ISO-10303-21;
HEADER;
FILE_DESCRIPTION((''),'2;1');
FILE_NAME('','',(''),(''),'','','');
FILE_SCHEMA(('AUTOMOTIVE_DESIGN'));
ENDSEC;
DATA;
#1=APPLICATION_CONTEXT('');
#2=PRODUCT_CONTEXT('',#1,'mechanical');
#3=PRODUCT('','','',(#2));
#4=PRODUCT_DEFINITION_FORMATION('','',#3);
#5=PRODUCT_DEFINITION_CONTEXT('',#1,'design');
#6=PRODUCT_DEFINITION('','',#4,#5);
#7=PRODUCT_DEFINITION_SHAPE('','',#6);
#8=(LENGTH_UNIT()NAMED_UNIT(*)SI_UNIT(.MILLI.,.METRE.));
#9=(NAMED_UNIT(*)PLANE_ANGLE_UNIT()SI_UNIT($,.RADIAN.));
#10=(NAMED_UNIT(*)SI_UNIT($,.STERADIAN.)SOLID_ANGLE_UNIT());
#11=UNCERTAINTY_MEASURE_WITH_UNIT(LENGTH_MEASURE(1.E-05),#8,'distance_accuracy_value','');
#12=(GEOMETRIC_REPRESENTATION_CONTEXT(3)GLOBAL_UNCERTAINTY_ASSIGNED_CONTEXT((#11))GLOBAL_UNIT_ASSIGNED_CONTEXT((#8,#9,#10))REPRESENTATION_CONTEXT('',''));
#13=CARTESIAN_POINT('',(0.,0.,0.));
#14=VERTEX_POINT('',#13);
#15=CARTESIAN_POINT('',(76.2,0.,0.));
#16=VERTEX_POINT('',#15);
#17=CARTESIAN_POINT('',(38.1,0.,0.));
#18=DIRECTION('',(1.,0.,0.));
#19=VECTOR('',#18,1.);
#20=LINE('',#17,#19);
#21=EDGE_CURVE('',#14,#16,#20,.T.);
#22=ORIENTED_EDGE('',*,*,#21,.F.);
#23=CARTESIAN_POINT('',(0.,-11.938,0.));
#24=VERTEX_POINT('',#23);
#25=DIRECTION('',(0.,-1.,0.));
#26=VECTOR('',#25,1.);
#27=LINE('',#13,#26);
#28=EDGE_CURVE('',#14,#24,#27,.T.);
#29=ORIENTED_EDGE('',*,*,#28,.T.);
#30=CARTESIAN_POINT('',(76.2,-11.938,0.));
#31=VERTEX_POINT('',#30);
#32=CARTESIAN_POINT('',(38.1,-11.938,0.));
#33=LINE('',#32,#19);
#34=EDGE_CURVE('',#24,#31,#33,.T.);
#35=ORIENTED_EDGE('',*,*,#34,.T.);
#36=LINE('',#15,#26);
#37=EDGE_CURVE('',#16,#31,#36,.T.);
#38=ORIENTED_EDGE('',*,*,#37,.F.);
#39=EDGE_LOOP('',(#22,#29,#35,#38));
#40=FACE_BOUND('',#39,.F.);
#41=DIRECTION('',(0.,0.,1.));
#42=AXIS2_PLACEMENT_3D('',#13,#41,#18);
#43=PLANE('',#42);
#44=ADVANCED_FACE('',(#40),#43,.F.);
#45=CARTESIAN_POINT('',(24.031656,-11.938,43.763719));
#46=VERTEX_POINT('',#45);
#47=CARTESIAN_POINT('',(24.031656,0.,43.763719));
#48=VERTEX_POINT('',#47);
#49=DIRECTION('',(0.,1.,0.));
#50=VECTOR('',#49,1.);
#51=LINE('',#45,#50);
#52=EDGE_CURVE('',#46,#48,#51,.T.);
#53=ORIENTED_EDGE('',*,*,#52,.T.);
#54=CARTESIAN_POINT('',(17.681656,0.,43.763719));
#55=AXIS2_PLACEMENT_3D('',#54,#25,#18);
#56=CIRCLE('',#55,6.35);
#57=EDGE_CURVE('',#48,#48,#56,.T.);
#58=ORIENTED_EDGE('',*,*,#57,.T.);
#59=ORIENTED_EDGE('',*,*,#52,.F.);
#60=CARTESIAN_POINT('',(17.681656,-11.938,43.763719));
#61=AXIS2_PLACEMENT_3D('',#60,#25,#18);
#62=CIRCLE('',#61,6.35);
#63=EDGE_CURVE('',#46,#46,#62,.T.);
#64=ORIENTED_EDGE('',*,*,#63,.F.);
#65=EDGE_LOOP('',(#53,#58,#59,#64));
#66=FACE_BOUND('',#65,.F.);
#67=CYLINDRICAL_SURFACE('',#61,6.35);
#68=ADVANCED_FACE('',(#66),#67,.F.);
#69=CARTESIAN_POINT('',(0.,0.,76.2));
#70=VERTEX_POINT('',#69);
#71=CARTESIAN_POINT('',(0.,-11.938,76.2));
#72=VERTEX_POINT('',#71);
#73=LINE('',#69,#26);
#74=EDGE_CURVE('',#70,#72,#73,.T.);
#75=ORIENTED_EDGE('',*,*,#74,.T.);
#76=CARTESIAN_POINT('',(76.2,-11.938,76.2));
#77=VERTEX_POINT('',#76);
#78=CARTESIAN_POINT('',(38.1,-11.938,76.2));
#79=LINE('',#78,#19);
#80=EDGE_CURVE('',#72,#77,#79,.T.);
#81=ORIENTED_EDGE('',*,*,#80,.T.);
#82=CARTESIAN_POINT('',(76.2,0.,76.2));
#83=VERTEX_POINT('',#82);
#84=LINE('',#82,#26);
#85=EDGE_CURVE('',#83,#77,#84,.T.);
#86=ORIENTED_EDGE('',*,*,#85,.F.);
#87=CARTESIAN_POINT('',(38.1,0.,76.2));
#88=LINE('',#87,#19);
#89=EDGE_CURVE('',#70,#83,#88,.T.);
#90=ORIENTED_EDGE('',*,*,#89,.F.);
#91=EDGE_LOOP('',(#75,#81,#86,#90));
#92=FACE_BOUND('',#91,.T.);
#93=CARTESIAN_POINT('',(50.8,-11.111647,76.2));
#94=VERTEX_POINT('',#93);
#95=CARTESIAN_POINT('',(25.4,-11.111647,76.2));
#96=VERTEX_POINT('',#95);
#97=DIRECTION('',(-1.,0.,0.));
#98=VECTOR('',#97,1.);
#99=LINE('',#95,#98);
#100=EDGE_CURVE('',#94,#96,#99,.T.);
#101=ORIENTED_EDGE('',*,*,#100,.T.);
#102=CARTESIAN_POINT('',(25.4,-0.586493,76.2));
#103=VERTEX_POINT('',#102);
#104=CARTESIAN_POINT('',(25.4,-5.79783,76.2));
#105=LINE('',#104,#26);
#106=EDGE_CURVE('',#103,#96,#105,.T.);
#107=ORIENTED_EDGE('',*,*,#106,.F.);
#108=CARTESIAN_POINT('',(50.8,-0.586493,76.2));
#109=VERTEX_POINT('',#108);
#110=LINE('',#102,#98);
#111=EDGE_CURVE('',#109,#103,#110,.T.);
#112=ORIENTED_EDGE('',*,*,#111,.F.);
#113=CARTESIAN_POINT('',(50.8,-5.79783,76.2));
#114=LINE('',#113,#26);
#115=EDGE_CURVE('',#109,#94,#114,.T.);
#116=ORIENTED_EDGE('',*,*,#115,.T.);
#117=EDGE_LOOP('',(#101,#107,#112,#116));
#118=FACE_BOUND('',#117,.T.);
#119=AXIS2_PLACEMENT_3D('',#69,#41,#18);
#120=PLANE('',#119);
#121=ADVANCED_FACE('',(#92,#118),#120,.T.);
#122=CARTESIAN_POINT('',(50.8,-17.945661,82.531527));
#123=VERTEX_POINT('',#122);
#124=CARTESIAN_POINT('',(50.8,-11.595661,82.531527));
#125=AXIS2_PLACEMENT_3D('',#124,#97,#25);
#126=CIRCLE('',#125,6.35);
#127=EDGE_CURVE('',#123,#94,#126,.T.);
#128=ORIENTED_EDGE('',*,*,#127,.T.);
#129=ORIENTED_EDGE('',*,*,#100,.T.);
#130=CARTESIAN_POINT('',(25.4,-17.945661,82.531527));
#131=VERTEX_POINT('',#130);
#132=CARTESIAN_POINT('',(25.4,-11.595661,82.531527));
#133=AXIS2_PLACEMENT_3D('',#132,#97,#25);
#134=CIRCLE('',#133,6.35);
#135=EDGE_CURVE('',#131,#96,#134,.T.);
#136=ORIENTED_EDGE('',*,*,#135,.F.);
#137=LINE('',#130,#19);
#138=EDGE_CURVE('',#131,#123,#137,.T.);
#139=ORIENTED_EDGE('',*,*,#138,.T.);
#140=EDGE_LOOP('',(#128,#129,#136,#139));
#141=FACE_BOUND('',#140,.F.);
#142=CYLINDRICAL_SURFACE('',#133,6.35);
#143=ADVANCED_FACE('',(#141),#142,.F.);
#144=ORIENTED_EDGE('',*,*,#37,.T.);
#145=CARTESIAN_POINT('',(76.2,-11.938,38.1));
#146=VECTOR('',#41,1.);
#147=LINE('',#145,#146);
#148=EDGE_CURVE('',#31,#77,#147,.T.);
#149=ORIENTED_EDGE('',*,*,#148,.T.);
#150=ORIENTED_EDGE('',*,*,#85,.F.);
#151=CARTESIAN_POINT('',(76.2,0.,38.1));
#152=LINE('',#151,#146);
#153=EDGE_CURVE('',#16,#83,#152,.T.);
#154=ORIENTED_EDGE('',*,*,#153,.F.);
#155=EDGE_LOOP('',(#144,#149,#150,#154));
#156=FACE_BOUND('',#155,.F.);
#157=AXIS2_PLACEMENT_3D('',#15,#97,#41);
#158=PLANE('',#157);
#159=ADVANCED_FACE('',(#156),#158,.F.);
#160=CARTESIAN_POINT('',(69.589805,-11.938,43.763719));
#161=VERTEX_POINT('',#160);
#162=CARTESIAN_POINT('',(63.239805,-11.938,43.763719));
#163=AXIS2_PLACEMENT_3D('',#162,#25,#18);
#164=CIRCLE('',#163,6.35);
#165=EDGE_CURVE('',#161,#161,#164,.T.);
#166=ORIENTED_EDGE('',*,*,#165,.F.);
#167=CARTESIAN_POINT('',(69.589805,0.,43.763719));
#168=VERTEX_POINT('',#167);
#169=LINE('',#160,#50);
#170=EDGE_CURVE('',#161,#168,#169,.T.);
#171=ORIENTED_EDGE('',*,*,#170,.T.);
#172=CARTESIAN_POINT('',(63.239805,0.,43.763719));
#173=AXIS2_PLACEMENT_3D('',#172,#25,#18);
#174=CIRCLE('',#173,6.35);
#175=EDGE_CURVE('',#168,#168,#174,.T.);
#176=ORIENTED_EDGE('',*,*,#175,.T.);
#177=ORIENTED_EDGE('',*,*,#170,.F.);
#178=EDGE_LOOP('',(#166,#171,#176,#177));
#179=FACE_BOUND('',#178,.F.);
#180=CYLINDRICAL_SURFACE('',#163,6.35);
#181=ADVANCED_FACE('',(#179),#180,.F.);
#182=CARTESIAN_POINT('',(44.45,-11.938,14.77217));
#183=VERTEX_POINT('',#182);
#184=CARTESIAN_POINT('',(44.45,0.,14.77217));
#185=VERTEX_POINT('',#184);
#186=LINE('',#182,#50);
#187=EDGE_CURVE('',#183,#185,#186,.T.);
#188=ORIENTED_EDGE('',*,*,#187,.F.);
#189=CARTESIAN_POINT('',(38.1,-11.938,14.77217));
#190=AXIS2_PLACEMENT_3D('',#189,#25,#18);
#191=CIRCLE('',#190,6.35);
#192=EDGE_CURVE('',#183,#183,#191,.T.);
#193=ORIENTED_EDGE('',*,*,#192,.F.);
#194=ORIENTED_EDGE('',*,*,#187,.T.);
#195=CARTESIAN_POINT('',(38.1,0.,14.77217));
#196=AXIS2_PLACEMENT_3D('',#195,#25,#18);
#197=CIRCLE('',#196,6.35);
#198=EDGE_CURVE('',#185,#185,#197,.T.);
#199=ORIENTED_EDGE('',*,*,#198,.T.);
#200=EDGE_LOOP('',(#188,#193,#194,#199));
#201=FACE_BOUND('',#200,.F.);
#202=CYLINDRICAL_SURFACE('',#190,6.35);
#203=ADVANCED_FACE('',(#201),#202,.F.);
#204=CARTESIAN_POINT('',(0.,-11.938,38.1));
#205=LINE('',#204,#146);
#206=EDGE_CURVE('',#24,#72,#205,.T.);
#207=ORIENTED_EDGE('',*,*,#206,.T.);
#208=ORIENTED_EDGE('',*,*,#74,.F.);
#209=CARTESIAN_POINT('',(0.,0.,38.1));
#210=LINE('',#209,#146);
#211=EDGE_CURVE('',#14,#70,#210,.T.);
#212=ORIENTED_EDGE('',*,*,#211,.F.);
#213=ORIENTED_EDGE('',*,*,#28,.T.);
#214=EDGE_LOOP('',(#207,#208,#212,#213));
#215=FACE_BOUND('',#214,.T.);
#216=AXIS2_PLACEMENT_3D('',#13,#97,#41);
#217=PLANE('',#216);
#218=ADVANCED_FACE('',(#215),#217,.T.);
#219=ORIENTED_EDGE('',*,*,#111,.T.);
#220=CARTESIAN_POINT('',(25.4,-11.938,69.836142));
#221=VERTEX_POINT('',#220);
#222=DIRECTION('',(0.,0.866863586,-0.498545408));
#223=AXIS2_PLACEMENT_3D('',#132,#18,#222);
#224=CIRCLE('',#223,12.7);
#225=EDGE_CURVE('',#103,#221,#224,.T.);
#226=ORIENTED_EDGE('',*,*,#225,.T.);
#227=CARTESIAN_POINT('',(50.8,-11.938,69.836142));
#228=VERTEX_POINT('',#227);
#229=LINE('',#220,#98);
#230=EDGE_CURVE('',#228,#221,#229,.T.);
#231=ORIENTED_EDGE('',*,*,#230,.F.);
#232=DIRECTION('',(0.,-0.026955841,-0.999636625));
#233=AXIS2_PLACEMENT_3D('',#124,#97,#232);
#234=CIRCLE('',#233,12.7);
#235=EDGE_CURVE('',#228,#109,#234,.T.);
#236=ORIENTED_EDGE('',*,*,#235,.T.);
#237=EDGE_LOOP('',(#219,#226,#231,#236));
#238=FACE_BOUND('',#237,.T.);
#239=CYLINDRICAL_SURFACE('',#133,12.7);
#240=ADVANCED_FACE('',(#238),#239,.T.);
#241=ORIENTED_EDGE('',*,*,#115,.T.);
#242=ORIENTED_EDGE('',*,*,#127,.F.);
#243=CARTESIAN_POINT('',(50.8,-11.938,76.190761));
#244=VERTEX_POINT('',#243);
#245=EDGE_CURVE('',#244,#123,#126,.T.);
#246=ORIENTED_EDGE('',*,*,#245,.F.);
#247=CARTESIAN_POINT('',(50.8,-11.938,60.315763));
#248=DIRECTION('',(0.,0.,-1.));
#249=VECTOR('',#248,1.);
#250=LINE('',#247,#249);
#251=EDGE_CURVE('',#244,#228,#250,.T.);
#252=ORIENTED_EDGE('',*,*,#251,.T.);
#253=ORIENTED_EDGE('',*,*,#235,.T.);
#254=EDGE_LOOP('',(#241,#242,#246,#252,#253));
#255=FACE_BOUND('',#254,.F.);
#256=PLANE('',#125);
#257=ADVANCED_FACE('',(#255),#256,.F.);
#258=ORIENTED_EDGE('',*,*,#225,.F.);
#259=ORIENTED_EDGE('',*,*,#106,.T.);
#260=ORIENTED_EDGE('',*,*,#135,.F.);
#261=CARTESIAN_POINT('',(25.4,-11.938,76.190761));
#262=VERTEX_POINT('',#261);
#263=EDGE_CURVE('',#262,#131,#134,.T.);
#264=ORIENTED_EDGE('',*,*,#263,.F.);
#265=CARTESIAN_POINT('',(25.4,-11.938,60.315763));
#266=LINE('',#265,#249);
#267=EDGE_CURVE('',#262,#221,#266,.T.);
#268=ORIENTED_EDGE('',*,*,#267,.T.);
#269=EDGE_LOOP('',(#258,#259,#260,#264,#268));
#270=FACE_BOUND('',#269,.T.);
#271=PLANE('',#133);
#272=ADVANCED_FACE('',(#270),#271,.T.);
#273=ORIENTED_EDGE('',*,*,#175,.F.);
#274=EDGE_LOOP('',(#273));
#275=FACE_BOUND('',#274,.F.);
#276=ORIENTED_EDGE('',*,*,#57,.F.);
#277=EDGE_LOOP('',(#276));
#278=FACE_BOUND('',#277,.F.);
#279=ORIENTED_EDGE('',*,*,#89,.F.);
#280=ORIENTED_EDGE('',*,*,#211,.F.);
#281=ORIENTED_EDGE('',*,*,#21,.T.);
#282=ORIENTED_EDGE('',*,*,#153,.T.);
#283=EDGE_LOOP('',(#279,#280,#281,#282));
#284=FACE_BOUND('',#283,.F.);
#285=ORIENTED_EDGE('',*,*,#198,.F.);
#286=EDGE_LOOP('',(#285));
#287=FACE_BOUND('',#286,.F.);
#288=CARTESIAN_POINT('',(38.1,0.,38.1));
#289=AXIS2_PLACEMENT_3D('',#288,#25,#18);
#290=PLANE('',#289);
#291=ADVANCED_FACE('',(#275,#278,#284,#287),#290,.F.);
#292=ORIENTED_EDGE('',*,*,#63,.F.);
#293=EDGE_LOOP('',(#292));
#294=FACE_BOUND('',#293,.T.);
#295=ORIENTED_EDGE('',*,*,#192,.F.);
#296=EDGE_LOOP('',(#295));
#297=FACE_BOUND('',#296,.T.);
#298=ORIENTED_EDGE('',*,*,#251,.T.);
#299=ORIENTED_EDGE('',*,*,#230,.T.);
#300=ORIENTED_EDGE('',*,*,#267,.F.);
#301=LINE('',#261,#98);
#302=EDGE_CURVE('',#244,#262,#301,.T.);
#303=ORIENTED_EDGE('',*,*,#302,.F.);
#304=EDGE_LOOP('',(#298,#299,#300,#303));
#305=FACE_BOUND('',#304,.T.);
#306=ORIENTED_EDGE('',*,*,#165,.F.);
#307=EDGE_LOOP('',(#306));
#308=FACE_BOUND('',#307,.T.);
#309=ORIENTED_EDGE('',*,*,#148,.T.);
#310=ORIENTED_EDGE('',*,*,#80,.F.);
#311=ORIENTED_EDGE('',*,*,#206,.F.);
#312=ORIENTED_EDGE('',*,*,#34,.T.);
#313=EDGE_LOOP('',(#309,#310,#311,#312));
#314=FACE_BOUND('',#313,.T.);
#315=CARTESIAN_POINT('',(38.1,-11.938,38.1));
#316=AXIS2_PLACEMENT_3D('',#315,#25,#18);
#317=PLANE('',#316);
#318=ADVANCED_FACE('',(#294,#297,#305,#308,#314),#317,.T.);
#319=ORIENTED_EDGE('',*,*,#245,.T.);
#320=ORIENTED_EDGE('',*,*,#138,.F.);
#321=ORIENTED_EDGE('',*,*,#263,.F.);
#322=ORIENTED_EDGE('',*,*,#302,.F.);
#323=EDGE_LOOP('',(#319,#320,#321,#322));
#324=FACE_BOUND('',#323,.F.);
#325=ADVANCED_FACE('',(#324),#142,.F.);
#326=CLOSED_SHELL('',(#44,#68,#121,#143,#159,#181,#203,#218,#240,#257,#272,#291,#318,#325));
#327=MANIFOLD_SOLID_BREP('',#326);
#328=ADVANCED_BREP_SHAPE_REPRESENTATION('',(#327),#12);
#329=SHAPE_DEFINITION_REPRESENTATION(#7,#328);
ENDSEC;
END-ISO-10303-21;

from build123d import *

# Parameters (mm, degrees)
F0_W     = 76.2
F0_H     = 76.2
F1_DEPTH = 11.938
F3_START = -25.4
F2_R     = 12.7
F2_R_2   = 6.35
F3_DEPTH = 25.4
F4_R     = 6.35
F5_DEPTH = 25.4


with BuildPart() as f1:
    # F0 (on Front) → F1 (new body)
    with BuildSketch(Plane.XZ):
        with Locations((38.1, 38.1)):
            Rectangle(F0_W, F0_H)
    extrude(amount=F1_DEPTH)

    # F2 (on face) → F3 (join)
    with BuildSketch(Plane(origin=(0, 0, 0), x_dir=(0, -1, 0), z_dir=(-1, 0, 0)).offset(F3_START)):
        with Locations((11.5956608206, 82.5315266848)):
            Circle(F2_R)
        with Locations((11.5956608206, 82.5315266848)):
            Circle(F2_R_2, mode=Mode.SUBTRACT)
    extrude(amount=-F3_DEPTH)

    # F4 (on face) → F5 (cut)
    with BuildSketch(Plane.XZ.offset(11.938)):
        with Locations((38.1, 14.7721702233)):
            Circle(F4_R)
        with Locations((17.6816564053, 43.7637194991)):
            Circle(F4_R)
        with Locations((63.2398054004, 43.7637194991)):
            Circle(F4_R)
    extrude(amount=-F5_DEPTH, mode=Mode.SUBTRACT)


solid = f1.part
